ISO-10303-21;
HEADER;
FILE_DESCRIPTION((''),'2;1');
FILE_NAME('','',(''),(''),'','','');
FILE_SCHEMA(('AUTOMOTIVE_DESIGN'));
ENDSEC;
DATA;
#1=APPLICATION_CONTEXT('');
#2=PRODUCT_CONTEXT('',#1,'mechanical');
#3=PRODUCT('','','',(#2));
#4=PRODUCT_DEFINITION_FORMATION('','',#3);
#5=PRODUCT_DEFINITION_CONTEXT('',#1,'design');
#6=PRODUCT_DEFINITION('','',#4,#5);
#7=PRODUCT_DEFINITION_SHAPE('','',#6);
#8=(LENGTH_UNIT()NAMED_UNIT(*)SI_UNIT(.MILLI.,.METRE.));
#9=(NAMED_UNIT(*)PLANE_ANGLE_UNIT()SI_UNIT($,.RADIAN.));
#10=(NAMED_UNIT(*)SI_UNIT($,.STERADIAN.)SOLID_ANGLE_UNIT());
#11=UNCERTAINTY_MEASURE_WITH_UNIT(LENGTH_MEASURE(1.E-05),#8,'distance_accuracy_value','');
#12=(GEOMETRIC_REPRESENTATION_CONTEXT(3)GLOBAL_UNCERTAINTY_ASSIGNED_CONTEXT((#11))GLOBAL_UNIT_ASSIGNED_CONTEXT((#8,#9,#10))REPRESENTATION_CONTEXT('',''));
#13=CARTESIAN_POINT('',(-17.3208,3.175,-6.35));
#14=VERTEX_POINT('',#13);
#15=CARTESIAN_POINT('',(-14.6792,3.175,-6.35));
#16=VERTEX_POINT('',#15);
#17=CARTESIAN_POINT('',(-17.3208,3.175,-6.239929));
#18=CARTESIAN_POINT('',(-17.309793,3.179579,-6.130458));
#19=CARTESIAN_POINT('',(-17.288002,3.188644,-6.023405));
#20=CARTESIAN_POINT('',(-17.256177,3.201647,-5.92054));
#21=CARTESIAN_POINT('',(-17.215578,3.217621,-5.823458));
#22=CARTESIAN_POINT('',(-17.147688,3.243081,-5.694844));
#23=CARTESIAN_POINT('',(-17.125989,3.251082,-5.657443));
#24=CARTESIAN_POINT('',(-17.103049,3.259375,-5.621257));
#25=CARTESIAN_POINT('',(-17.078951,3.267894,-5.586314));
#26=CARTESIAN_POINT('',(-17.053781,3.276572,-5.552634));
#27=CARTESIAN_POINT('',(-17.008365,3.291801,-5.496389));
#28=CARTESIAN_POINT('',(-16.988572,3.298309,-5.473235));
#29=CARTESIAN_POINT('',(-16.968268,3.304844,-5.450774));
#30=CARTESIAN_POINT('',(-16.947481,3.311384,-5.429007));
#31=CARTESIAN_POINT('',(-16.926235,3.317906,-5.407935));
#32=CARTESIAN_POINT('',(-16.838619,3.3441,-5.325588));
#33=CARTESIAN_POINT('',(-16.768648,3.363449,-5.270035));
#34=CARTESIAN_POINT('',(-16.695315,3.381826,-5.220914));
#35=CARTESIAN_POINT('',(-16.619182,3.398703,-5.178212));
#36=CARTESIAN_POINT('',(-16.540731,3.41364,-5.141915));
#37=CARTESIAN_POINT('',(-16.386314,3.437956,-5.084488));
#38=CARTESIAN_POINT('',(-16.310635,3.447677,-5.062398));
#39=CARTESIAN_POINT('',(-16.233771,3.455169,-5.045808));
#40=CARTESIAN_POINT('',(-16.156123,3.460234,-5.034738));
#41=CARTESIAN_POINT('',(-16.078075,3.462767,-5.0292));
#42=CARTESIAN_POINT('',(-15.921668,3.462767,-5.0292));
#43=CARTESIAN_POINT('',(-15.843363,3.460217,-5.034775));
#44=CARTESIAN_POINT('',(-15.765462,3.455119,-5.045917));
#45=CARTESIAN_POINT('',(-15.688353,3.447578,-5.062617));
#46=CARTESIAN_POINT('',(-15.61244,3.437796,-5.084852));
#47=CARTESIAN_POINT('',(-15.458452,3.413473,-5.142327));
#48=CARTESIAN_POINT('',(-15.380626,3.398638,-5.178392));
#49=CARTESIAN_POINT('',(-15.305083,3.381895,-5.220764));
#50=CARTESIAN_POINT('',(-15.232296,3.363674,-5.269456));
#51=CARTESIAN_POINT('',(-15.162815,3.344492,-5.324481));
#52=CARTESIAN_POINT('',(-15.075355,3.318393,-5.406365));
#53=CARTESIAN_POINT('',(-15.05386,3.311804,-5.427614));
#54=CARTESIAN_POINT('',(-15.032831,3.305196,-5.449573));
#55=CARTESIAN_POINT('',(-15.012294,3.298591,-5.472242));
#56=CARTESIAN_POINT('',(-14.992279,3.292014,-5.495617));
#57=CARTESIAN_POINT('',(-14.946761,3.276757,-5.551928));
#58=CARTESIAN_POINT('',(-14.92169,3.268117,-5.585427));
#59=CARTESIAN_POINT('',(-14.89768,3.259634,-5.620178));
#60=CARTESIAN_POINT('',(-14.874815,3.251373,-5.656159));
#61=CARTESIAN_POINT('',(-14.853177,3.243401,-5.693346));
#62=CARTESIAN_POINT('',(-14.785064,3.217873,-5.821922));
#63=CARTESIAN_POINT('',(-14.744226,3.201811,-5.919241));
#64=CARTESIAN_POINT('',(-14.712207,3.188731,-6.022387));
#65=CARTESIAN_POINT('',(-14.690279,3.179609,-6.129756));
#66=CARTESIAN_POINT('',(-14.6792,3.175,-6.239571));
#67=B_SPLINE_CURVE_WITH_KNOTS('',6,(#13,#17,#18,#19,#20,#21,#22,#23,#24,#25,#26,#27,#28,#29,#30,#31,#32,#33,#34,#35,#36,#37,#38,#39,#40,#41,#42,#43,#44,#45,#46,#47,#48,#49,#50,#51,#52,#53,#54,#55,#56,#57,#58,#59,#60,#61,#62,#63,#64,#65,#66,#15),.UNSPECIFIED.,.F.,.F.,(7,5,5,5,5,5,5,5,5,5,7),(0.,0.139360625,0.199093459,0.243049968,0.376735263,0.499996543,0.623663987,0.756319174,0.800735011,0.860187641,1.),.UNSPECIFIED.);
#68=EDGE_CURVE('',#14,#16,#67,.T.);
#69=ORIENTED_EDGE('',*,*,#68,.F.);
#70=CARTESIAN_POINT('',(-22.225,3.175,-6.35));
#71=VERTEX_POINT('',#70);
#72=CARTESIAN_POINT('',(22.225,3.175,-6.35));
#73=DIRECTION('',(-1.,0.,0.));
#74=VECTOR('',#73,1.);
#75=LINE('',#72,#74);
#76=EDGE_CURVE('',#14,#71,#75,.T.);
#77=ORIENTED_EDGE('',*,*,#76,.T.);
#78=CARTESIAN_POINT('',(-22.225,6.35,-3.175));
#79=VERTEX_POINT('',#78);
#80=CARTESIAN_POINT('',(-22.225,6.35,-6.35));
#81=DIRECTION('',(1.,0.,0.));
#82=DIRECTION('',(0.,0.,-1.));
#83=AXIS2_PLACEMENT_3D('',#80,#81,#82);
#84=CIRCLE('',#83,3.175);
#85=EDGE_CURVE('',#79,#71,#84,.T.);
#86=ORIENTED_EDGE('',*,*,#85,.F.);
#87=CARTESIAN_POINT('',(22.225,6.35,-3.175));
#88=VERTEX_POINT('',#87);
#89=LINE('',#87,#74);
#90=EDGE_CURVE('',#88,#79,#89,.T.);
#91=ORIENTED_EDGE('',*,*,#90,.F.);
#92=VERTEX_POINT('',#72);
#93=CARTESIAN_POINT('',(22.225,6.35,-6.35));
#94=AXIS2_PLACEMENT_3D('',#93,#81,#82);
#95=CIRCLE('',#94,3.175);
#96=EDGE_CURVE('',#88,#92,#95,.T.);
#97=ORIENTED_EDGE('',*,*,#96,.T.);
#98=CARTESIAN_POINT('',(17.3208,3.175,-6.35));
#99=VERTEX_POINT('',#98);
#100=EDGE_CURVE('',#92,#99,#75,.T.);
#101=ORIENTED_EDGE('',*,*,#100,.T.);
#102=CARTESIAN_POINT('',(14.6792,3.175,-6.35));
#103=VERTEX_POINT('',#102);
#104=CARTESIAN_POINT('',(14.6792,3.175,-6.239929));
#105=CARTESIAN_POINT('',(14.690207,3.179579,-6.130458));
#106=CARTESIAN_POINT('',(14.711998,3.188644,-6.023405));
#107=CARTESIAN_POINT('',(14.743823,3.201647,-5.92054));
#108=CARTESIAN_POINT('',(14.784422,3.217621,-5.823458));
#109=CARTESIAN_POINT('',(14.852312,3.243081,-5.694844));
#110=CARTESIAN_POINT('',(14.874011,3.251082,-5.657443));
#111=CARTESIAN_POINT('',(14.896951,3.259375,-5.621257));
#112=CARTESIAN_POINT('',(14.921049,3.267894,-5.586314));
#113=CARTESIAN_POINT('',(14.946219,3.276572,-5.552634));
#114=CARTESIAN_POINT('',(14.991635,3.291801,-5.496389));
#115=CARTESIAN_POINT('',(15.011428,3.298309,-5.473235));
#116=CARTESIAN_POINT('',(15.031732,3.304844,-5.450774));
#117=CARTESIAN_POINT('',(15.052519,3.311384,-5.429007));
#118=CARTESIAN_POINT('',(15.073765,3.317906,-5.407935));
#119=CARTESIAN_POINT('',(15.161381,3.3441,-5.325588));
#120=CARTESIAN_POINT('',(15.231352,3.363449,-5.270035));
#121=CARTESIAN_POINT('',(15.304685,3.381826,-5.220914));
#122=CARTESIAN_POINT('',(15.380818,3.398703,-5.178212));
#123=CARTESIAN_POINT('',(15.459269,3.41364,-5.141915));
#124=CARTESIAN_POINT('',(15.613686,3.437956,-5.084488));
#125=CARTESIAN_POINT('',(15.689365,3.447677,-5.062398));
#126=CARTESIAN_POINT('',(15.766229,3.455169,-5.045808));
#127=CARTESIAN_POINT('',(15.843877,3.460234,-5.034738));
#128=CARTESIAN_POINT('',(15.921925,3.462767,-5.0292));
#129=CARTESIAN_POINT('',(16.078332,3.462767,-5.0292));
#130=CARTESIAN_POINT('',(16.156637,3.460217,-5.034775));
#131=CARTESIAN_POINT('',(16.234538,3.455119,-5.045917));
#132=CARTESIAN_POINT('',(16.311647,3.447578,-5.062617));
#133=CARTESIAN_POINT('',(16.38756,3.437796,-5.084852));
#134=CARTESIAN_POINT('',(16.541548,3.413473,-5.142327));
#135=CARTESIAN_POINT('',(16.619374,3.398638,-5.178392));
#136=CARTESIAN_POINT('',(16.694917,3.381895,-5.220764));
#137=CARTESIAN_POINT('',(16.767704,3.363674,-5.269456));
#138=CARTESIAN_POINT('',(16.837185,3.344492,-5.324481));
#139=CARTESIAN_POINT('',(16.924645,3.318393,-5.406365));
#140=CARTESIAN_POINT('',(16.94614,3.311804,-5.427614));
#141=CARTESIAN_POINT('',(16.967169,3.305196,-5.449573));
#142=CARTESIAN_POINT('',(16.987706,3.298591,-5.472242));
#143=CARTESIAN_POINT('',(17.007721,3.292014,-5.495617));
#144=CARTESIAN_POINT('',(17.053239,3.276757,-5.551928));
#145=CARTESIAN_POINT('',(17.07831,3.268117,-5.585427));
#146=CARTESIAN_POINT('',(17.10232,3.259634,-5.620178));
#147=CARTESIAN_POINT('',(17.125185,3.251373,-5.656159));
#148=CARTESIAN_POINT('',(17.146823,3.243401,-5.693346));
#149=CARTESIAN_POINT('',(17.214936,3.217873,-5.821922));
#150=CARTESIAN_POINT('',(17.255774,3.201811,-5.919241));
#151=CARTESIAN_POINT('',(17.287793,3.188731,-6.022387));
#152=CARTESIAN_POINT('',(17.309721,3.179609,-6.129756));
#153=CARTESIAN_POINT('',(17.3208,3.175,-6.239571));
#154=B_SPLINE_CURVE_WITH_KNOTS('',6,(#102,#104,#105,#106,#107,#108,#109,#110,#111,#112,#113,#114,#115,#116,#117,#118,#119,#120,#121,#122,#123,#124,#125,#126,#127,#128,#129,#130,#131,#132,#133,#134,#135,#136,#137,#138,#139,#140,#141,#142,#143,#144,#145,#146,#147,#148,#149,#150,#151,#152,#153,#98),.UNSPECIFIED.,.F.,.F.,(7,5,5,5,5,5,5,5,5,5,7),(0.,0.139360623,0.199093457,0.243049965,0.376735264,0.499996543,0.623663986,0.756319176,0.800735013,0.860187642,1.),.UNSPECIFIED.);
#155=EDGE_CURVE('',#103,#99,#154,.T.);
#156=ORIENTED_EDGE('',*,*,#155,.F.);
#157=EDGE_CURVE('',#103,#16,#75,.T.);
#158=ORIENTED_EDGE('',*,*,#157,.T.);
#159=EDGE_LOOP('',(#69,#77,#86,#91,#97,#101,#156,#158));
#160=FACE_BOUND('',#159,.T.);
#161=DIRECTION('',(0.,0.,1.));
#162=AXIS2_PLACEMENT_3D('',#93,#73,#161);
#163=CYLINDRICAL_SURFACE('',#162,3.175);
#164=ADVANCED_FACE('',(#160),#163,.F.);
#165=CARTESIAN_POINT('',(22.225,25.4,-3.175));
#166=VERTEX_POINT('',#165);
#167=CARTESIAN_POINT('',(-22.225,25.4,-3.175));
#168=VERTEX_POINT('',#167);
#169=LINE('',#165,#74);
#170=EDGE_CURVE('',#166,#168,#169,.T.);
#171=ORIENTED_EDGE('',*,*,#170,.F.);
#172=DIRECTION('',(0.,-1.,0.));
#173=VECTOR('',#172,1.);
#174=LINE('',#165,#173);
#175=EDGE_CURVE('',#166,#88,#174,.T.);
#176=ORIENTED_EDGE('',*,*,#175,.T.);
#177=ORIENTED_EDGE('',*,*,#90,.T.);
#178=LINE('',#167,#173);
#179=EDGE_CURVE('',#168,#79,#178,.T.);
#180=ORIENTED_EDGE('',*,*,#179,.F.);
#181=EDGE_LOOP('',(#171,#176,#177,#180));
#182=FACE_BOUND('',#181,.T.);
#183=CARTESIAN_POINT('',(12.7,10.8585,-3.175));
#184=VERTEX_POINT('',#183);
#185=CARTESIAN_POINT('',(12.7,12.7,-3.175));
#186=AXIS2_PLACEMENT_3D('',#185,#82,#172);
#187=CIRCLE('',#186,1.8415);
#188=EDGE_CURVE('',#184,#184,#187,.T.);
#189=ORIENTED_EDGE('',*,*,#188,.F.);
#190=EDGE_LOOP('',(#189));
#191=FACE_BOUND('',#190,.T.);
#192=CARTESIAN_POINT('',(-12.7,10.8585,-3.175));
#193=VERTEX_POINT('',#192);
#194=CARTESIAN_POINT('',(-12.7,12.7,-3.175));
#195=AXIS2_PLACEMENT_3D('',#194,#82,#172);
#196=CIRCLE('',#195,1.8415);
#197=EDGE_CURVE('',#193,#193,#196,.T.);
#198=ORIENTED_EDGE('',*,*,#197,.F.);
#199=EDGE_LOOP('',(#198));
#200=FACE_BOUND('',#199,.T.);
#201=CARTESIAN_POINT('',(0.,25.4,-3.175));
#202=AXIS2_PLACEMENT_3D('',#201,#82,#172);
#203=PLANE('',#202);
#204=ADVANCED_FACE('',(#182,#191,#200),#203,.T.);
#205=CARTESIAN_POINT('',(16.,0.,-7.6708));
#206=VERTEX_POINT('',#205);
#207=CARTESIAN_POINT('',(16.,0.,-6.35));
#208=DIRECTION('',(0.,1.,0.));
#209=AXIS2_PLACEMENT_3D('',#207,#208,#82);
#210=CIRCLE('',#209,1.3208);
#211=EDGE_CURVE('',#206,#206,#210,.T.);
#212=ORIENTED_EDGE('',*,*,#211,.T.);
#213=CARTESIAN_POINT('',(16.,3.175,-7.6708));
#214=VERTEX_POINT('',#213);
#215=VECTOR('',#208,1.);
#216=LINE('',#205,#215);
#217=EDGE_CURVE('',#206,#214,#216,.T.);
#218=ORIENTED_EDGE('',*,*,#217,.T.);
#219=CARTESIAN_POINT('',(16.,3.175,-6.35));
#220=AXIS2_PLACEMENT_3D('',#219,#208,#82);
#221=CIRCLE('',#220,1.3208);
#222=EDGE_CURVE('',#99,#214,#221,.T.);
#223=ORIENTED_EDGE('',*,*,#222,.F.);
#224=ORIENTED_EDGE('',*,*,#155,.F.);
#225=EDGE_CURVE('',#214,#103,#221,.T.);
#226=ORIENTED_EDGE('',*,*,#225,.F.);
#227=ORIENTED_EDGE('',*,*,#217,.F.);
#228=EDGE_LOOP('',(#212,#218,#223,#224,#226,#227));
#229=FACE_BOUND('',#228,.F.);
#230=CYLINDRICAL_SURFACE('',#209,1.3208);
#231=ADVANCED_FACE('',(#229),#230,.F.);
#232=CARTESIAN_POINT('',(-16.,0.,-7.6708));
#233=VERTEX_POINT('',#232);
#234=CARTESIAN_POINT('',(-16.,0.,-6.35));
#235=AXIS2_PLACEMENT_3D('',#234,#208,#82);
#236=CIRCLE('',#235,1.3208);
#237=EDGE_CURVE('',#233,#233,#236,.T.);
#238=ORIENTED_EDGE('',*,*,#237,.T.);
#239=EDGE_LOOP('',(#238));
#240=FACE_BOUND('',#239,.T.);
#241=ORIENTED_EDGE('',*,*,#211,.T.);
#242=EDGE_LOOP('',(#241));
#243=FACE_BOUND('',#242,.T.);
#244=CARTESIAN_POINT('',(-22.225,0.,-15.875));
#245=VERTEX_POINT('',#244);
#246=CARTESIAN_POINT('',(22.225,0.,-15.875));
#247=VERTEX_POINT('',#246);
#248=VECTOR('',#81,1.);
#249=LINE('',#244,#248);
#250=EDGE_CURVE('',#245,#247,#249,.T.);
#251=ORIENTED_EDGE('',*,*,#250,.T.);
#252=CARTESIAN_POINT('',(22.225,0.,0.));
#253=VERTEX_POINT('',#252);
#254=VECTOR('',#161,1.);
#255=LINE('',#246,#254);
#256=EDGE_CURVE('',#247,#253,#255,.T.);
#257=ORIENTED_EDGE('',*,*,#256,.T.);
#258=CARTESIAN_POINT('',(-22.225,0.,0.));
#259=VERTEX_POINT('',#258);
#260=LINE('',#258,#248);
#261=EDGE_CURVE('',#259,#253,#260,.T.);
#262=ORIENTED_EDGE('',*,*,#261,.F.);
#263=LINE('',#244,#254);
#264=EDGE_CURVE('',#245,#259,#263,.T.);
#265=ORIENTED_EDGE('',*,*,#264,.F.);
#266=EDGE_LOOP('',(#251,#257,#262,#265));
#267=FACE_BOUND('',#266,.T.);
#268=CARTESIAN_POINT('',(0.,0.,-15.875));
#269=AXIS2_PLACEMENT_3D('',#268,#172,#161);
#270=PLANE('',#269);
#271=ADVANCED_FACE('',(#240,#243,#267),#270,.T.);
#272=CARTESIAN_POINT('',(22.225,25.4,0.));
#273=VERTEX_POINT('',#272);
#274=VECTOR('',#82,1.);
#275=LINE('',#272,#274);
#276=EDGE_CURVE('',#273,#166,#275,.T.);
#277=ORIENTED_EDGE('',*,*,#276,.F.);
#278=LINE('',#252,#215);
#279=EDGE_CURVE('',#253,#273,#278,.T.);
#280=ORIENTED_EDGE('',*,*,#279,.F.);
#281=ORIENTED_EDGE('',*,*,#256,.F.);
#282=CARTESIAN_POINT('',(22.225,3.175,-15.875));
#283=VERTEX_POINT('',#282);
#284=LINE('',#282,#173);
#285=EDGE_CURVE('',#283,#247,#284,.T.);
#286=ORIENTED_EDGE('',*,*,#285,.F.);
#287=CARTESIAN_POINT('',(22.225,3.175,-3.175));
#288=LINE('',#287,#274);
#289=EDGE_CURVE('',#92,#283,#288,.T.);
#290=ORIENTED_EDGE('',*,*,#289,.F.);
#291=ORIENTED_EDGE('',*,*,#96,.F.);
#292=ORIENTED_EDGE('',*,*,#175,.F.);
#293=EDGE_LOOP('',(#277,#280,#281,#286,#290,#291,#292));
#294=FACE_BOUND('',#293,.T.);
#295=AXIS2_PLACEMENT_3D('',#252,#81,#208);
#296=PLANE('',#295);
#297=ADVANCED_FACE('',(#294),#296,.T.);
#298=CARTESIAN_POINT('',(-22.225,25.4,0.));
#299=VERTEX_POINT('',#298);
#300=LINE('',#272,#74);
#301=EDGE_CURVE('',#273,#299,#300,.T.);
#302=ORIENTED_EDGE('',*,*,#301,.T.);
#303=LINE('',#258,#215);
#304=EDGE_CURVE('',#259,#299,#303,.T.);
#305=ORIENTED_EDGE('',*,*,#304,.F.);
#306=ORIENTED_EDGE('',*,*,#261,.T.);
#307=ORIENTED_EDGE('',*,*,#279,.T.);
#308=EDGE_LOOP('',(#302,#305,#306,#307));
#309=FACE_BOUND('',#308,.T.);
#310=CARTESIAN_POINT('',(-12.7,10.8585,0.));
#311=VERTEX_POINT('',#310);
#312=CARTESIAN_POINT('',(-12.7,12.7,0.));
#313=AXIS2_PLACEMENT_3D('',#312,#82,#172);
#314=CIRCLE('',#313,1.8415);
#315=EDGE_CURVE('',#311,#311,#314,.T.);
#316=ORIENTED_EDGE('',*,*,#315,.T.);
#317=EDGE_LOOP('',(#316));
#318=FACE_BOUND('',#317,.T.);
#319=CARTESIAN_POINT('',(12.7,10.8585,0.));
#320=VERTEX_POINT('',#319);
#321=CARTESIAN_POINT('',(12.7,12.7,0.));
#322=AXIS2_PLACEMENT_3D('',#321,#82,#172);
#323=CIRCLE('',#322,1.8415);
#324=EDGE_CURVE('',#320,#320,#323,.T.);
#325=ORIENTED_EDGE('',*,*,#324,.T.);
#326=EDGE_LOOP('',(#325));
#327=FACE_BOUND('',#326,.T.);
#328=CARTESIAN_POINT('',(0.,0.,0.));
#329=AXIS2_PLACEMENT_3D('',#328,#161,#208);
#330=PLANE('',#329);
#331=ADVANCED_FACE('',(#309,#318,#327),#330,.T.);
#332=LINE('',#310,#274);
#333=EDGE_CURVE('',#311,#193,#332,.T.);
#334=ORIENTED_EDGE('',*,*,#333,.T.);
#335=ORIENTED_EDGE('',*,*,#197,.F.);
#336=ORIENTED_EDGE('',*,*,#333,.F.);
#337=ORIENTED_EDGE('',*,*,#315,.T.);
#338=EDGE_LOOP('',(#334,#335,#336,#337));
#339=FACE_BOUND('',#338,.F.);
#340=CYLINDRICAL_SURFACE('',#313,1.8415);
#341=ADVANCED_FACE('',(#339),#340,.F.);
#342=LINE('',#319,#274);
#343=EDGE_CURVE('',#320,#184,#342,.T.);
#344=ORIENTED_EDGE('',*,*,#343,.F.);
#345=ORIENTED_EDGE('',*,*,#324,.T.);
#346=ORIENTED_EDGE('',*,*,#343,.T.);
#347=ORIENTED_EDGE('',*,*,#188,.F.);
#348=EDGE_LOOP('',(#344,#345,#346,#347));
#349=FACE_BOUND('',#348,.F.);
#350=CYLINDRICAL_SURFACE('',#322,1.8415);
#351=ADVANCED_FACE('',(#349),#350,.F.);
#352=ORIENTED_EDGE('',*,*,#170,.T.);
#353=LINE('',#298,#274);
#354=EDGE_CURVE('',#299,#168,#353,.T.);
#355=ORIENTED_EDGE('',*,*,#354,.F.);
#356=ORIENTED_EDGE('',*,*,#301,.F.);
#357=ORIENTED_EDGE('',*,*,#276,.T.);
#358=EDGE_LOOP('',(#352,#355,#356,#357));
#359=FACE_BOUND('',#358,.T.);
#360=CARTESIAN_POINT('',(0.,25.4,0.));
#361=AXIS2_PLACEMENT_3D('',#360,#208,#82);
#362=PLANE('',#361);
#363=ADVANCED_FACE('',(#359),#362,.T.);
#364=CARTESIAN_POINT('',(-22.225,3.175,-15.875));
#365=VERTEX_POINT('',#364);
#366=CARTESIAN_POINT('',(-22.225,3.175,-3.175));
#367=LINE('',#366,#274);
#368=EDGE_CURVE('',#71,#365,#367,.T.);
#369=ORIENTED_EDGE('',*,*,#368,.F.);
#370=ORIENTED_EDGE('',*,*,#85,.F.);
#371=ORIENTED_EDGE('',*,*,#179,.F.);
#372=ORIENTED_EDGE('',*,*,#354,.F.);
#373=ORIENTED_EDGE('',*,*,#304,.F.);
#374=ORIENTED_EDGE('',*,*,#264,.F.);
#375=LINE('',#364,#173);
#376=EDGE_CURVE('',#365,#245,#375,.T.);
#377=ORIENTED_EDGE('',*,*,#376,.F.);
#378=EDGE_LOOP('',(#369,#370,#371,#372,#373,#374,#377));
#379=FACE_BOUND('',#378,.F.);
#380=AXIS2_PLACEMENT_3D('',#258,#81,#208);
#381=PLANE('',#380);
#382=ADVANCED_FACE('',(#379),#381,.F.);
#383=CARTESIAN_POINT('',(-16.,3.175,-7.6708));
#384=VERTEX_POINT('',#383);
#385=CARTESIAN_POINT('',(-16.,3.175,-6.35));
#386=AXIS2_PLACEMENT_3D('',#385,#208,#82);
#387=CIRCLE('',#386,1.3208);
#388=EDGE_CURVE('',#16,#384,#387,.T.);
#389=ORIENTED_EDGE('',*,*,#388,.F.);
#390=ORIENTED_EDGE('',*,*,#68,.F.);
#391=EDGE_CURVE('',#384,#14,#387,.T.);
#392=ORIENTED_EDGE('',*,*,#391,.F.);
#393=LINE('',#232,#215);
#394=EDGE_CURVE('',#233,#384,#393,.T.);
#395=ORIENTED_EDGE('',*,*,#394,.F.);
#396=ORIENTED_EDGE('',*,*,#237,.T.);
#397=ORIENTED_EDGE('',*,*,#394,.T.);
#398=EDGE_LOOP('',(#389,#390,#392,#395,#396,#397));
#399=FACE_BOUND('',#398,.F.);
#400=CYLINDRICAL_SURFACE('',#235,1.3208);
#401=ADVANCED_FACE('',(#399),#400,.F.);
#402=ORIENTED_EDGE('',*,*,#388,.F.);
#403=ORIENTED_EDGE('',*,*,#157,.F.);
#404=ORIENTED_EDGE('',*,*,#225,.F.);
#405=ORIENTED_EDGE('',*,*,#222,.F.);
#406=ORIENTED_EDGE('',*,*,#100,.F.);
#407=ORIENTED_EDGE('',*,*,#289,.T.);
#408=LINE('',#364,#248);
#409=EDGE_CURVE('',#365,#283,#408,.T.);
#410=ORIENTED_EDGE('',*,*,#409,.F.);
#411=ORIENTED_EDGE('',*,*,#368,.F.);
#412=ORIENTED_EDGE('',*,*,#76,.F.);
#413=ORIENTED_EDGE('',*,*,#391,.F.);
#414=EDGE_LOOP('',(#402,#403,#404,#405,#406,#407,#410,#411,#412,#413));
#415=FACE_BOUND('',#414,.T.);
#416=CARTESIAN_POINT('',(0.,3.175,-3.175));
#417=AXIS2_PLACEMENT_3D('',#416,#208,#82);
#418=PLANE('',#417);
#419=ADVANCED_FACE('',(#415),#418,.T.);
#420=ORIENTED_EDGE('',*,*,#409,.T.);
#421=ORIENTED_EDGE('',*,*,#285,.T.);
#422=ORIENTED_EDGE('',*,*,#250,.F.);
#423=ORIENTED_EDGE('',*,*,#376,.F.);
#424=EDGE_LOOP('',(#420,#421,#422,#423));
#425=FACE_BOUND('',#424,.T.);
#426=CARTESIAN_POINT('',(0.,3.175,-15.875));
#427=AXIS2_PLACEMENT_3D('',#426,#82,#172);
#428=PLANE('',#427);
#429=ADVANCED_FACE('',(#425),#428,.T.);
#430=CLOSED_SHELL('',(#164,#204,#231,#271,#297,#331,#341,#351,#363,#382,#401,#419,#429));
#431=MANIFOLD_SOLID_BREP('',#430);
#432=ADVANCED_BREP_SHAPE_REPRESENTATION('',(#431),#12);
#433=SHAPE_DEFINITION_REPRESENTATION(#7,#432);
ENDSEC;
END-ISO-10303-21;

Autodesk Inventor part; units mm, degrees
ref_plane "YZ Plane" through (0, 0, 0) normal (1, 0, 0) x (0, 1, 0)
ref_plane "XZ Plane" through (0, 0, 0) normal (0, 1, 0) x (-1, 0, 0)
ref_plane "XY Plane" through (0, 0, 0) normal (0, 0, 1) x (1, 0, 0)
sketch "Sketch1" plane through (0, 0, 0) normal (1, 0, 0) x (0, 1, 0)
  line L0 (0, 0) -> (25.4, 0)
  line L1 (25.4, 0) -> (25.4, -3.175)
  line L2 (25.4, -3.175) -> (3.175, -3.175)
  line L3 (3.175, -3.175) -> (3.175, -15.875)
  line L4 (3.175, -15.875) -> (0, -15.875)
  line L5 (0, -15.875) -> (0, 0)
  dimension "d0" = 25.4
  dimension "d2" = 3.175
  dimension "d21" = 15.875
extrude "Extrusion1" add sketch "Sketch1" along normal mid plane 44.45
fillet "Fillet1" radius 3.175 1 edges at (0, 3.175, -3.175)
sketch "Sketch2" plane through (-22.225, 0, -15.875) normal (0, -1, 0) x (1, 0, 0)
  line L0 (38.225, 9.525) -> (6.225, 9.525) construction
  line L1 (0, 15.875) -> (44.45, 15.875) construction
  point P0 (22.225, 15.875)
  point P1 (22.225, 9.525)
  point P2 (22.225, 15.875)
  dimension "d6" = 6.35
  dimension "d7" = 32
hole "Hole1" at (16, 0, -6.35) at (-16, 0, -6.35) direction (0, 1, 0) diameter 2.6416 end through all thread size "6-32 UNC" class "2B" standard "ANSI Unified Screw Threads"
sketch "Sketch3" plane through (-22.225, 0, 0) normal (0, 0, 1) x (1, 0, 0)
  line L0 (0, 0) -> (44.45, 0) construction
  line L1 (0, 25.4) -> (44.45, 25.4) construction
  line L2 (34.925, 12.7) -> (9.525, 12.7) construction
  point P0 (22.225, 0)
  point P1 (22.225, 0)
  point P2 (22.225, 12.7)
  point P3 (22.225, 0)
  dimension "d15" = 25.4
  dimension "d22" = 12.7
hole "Hole2" at (12.7, 12.7, 0) at (-12.7, 12.7, 0) direction (0, 0, -1) diameter 3.683 end through all thread size "10-24 UNC" class "2B" standard "ANSI Unified Screw Threads"
properties part number "GP7-005" material "Aluminum 6061"
